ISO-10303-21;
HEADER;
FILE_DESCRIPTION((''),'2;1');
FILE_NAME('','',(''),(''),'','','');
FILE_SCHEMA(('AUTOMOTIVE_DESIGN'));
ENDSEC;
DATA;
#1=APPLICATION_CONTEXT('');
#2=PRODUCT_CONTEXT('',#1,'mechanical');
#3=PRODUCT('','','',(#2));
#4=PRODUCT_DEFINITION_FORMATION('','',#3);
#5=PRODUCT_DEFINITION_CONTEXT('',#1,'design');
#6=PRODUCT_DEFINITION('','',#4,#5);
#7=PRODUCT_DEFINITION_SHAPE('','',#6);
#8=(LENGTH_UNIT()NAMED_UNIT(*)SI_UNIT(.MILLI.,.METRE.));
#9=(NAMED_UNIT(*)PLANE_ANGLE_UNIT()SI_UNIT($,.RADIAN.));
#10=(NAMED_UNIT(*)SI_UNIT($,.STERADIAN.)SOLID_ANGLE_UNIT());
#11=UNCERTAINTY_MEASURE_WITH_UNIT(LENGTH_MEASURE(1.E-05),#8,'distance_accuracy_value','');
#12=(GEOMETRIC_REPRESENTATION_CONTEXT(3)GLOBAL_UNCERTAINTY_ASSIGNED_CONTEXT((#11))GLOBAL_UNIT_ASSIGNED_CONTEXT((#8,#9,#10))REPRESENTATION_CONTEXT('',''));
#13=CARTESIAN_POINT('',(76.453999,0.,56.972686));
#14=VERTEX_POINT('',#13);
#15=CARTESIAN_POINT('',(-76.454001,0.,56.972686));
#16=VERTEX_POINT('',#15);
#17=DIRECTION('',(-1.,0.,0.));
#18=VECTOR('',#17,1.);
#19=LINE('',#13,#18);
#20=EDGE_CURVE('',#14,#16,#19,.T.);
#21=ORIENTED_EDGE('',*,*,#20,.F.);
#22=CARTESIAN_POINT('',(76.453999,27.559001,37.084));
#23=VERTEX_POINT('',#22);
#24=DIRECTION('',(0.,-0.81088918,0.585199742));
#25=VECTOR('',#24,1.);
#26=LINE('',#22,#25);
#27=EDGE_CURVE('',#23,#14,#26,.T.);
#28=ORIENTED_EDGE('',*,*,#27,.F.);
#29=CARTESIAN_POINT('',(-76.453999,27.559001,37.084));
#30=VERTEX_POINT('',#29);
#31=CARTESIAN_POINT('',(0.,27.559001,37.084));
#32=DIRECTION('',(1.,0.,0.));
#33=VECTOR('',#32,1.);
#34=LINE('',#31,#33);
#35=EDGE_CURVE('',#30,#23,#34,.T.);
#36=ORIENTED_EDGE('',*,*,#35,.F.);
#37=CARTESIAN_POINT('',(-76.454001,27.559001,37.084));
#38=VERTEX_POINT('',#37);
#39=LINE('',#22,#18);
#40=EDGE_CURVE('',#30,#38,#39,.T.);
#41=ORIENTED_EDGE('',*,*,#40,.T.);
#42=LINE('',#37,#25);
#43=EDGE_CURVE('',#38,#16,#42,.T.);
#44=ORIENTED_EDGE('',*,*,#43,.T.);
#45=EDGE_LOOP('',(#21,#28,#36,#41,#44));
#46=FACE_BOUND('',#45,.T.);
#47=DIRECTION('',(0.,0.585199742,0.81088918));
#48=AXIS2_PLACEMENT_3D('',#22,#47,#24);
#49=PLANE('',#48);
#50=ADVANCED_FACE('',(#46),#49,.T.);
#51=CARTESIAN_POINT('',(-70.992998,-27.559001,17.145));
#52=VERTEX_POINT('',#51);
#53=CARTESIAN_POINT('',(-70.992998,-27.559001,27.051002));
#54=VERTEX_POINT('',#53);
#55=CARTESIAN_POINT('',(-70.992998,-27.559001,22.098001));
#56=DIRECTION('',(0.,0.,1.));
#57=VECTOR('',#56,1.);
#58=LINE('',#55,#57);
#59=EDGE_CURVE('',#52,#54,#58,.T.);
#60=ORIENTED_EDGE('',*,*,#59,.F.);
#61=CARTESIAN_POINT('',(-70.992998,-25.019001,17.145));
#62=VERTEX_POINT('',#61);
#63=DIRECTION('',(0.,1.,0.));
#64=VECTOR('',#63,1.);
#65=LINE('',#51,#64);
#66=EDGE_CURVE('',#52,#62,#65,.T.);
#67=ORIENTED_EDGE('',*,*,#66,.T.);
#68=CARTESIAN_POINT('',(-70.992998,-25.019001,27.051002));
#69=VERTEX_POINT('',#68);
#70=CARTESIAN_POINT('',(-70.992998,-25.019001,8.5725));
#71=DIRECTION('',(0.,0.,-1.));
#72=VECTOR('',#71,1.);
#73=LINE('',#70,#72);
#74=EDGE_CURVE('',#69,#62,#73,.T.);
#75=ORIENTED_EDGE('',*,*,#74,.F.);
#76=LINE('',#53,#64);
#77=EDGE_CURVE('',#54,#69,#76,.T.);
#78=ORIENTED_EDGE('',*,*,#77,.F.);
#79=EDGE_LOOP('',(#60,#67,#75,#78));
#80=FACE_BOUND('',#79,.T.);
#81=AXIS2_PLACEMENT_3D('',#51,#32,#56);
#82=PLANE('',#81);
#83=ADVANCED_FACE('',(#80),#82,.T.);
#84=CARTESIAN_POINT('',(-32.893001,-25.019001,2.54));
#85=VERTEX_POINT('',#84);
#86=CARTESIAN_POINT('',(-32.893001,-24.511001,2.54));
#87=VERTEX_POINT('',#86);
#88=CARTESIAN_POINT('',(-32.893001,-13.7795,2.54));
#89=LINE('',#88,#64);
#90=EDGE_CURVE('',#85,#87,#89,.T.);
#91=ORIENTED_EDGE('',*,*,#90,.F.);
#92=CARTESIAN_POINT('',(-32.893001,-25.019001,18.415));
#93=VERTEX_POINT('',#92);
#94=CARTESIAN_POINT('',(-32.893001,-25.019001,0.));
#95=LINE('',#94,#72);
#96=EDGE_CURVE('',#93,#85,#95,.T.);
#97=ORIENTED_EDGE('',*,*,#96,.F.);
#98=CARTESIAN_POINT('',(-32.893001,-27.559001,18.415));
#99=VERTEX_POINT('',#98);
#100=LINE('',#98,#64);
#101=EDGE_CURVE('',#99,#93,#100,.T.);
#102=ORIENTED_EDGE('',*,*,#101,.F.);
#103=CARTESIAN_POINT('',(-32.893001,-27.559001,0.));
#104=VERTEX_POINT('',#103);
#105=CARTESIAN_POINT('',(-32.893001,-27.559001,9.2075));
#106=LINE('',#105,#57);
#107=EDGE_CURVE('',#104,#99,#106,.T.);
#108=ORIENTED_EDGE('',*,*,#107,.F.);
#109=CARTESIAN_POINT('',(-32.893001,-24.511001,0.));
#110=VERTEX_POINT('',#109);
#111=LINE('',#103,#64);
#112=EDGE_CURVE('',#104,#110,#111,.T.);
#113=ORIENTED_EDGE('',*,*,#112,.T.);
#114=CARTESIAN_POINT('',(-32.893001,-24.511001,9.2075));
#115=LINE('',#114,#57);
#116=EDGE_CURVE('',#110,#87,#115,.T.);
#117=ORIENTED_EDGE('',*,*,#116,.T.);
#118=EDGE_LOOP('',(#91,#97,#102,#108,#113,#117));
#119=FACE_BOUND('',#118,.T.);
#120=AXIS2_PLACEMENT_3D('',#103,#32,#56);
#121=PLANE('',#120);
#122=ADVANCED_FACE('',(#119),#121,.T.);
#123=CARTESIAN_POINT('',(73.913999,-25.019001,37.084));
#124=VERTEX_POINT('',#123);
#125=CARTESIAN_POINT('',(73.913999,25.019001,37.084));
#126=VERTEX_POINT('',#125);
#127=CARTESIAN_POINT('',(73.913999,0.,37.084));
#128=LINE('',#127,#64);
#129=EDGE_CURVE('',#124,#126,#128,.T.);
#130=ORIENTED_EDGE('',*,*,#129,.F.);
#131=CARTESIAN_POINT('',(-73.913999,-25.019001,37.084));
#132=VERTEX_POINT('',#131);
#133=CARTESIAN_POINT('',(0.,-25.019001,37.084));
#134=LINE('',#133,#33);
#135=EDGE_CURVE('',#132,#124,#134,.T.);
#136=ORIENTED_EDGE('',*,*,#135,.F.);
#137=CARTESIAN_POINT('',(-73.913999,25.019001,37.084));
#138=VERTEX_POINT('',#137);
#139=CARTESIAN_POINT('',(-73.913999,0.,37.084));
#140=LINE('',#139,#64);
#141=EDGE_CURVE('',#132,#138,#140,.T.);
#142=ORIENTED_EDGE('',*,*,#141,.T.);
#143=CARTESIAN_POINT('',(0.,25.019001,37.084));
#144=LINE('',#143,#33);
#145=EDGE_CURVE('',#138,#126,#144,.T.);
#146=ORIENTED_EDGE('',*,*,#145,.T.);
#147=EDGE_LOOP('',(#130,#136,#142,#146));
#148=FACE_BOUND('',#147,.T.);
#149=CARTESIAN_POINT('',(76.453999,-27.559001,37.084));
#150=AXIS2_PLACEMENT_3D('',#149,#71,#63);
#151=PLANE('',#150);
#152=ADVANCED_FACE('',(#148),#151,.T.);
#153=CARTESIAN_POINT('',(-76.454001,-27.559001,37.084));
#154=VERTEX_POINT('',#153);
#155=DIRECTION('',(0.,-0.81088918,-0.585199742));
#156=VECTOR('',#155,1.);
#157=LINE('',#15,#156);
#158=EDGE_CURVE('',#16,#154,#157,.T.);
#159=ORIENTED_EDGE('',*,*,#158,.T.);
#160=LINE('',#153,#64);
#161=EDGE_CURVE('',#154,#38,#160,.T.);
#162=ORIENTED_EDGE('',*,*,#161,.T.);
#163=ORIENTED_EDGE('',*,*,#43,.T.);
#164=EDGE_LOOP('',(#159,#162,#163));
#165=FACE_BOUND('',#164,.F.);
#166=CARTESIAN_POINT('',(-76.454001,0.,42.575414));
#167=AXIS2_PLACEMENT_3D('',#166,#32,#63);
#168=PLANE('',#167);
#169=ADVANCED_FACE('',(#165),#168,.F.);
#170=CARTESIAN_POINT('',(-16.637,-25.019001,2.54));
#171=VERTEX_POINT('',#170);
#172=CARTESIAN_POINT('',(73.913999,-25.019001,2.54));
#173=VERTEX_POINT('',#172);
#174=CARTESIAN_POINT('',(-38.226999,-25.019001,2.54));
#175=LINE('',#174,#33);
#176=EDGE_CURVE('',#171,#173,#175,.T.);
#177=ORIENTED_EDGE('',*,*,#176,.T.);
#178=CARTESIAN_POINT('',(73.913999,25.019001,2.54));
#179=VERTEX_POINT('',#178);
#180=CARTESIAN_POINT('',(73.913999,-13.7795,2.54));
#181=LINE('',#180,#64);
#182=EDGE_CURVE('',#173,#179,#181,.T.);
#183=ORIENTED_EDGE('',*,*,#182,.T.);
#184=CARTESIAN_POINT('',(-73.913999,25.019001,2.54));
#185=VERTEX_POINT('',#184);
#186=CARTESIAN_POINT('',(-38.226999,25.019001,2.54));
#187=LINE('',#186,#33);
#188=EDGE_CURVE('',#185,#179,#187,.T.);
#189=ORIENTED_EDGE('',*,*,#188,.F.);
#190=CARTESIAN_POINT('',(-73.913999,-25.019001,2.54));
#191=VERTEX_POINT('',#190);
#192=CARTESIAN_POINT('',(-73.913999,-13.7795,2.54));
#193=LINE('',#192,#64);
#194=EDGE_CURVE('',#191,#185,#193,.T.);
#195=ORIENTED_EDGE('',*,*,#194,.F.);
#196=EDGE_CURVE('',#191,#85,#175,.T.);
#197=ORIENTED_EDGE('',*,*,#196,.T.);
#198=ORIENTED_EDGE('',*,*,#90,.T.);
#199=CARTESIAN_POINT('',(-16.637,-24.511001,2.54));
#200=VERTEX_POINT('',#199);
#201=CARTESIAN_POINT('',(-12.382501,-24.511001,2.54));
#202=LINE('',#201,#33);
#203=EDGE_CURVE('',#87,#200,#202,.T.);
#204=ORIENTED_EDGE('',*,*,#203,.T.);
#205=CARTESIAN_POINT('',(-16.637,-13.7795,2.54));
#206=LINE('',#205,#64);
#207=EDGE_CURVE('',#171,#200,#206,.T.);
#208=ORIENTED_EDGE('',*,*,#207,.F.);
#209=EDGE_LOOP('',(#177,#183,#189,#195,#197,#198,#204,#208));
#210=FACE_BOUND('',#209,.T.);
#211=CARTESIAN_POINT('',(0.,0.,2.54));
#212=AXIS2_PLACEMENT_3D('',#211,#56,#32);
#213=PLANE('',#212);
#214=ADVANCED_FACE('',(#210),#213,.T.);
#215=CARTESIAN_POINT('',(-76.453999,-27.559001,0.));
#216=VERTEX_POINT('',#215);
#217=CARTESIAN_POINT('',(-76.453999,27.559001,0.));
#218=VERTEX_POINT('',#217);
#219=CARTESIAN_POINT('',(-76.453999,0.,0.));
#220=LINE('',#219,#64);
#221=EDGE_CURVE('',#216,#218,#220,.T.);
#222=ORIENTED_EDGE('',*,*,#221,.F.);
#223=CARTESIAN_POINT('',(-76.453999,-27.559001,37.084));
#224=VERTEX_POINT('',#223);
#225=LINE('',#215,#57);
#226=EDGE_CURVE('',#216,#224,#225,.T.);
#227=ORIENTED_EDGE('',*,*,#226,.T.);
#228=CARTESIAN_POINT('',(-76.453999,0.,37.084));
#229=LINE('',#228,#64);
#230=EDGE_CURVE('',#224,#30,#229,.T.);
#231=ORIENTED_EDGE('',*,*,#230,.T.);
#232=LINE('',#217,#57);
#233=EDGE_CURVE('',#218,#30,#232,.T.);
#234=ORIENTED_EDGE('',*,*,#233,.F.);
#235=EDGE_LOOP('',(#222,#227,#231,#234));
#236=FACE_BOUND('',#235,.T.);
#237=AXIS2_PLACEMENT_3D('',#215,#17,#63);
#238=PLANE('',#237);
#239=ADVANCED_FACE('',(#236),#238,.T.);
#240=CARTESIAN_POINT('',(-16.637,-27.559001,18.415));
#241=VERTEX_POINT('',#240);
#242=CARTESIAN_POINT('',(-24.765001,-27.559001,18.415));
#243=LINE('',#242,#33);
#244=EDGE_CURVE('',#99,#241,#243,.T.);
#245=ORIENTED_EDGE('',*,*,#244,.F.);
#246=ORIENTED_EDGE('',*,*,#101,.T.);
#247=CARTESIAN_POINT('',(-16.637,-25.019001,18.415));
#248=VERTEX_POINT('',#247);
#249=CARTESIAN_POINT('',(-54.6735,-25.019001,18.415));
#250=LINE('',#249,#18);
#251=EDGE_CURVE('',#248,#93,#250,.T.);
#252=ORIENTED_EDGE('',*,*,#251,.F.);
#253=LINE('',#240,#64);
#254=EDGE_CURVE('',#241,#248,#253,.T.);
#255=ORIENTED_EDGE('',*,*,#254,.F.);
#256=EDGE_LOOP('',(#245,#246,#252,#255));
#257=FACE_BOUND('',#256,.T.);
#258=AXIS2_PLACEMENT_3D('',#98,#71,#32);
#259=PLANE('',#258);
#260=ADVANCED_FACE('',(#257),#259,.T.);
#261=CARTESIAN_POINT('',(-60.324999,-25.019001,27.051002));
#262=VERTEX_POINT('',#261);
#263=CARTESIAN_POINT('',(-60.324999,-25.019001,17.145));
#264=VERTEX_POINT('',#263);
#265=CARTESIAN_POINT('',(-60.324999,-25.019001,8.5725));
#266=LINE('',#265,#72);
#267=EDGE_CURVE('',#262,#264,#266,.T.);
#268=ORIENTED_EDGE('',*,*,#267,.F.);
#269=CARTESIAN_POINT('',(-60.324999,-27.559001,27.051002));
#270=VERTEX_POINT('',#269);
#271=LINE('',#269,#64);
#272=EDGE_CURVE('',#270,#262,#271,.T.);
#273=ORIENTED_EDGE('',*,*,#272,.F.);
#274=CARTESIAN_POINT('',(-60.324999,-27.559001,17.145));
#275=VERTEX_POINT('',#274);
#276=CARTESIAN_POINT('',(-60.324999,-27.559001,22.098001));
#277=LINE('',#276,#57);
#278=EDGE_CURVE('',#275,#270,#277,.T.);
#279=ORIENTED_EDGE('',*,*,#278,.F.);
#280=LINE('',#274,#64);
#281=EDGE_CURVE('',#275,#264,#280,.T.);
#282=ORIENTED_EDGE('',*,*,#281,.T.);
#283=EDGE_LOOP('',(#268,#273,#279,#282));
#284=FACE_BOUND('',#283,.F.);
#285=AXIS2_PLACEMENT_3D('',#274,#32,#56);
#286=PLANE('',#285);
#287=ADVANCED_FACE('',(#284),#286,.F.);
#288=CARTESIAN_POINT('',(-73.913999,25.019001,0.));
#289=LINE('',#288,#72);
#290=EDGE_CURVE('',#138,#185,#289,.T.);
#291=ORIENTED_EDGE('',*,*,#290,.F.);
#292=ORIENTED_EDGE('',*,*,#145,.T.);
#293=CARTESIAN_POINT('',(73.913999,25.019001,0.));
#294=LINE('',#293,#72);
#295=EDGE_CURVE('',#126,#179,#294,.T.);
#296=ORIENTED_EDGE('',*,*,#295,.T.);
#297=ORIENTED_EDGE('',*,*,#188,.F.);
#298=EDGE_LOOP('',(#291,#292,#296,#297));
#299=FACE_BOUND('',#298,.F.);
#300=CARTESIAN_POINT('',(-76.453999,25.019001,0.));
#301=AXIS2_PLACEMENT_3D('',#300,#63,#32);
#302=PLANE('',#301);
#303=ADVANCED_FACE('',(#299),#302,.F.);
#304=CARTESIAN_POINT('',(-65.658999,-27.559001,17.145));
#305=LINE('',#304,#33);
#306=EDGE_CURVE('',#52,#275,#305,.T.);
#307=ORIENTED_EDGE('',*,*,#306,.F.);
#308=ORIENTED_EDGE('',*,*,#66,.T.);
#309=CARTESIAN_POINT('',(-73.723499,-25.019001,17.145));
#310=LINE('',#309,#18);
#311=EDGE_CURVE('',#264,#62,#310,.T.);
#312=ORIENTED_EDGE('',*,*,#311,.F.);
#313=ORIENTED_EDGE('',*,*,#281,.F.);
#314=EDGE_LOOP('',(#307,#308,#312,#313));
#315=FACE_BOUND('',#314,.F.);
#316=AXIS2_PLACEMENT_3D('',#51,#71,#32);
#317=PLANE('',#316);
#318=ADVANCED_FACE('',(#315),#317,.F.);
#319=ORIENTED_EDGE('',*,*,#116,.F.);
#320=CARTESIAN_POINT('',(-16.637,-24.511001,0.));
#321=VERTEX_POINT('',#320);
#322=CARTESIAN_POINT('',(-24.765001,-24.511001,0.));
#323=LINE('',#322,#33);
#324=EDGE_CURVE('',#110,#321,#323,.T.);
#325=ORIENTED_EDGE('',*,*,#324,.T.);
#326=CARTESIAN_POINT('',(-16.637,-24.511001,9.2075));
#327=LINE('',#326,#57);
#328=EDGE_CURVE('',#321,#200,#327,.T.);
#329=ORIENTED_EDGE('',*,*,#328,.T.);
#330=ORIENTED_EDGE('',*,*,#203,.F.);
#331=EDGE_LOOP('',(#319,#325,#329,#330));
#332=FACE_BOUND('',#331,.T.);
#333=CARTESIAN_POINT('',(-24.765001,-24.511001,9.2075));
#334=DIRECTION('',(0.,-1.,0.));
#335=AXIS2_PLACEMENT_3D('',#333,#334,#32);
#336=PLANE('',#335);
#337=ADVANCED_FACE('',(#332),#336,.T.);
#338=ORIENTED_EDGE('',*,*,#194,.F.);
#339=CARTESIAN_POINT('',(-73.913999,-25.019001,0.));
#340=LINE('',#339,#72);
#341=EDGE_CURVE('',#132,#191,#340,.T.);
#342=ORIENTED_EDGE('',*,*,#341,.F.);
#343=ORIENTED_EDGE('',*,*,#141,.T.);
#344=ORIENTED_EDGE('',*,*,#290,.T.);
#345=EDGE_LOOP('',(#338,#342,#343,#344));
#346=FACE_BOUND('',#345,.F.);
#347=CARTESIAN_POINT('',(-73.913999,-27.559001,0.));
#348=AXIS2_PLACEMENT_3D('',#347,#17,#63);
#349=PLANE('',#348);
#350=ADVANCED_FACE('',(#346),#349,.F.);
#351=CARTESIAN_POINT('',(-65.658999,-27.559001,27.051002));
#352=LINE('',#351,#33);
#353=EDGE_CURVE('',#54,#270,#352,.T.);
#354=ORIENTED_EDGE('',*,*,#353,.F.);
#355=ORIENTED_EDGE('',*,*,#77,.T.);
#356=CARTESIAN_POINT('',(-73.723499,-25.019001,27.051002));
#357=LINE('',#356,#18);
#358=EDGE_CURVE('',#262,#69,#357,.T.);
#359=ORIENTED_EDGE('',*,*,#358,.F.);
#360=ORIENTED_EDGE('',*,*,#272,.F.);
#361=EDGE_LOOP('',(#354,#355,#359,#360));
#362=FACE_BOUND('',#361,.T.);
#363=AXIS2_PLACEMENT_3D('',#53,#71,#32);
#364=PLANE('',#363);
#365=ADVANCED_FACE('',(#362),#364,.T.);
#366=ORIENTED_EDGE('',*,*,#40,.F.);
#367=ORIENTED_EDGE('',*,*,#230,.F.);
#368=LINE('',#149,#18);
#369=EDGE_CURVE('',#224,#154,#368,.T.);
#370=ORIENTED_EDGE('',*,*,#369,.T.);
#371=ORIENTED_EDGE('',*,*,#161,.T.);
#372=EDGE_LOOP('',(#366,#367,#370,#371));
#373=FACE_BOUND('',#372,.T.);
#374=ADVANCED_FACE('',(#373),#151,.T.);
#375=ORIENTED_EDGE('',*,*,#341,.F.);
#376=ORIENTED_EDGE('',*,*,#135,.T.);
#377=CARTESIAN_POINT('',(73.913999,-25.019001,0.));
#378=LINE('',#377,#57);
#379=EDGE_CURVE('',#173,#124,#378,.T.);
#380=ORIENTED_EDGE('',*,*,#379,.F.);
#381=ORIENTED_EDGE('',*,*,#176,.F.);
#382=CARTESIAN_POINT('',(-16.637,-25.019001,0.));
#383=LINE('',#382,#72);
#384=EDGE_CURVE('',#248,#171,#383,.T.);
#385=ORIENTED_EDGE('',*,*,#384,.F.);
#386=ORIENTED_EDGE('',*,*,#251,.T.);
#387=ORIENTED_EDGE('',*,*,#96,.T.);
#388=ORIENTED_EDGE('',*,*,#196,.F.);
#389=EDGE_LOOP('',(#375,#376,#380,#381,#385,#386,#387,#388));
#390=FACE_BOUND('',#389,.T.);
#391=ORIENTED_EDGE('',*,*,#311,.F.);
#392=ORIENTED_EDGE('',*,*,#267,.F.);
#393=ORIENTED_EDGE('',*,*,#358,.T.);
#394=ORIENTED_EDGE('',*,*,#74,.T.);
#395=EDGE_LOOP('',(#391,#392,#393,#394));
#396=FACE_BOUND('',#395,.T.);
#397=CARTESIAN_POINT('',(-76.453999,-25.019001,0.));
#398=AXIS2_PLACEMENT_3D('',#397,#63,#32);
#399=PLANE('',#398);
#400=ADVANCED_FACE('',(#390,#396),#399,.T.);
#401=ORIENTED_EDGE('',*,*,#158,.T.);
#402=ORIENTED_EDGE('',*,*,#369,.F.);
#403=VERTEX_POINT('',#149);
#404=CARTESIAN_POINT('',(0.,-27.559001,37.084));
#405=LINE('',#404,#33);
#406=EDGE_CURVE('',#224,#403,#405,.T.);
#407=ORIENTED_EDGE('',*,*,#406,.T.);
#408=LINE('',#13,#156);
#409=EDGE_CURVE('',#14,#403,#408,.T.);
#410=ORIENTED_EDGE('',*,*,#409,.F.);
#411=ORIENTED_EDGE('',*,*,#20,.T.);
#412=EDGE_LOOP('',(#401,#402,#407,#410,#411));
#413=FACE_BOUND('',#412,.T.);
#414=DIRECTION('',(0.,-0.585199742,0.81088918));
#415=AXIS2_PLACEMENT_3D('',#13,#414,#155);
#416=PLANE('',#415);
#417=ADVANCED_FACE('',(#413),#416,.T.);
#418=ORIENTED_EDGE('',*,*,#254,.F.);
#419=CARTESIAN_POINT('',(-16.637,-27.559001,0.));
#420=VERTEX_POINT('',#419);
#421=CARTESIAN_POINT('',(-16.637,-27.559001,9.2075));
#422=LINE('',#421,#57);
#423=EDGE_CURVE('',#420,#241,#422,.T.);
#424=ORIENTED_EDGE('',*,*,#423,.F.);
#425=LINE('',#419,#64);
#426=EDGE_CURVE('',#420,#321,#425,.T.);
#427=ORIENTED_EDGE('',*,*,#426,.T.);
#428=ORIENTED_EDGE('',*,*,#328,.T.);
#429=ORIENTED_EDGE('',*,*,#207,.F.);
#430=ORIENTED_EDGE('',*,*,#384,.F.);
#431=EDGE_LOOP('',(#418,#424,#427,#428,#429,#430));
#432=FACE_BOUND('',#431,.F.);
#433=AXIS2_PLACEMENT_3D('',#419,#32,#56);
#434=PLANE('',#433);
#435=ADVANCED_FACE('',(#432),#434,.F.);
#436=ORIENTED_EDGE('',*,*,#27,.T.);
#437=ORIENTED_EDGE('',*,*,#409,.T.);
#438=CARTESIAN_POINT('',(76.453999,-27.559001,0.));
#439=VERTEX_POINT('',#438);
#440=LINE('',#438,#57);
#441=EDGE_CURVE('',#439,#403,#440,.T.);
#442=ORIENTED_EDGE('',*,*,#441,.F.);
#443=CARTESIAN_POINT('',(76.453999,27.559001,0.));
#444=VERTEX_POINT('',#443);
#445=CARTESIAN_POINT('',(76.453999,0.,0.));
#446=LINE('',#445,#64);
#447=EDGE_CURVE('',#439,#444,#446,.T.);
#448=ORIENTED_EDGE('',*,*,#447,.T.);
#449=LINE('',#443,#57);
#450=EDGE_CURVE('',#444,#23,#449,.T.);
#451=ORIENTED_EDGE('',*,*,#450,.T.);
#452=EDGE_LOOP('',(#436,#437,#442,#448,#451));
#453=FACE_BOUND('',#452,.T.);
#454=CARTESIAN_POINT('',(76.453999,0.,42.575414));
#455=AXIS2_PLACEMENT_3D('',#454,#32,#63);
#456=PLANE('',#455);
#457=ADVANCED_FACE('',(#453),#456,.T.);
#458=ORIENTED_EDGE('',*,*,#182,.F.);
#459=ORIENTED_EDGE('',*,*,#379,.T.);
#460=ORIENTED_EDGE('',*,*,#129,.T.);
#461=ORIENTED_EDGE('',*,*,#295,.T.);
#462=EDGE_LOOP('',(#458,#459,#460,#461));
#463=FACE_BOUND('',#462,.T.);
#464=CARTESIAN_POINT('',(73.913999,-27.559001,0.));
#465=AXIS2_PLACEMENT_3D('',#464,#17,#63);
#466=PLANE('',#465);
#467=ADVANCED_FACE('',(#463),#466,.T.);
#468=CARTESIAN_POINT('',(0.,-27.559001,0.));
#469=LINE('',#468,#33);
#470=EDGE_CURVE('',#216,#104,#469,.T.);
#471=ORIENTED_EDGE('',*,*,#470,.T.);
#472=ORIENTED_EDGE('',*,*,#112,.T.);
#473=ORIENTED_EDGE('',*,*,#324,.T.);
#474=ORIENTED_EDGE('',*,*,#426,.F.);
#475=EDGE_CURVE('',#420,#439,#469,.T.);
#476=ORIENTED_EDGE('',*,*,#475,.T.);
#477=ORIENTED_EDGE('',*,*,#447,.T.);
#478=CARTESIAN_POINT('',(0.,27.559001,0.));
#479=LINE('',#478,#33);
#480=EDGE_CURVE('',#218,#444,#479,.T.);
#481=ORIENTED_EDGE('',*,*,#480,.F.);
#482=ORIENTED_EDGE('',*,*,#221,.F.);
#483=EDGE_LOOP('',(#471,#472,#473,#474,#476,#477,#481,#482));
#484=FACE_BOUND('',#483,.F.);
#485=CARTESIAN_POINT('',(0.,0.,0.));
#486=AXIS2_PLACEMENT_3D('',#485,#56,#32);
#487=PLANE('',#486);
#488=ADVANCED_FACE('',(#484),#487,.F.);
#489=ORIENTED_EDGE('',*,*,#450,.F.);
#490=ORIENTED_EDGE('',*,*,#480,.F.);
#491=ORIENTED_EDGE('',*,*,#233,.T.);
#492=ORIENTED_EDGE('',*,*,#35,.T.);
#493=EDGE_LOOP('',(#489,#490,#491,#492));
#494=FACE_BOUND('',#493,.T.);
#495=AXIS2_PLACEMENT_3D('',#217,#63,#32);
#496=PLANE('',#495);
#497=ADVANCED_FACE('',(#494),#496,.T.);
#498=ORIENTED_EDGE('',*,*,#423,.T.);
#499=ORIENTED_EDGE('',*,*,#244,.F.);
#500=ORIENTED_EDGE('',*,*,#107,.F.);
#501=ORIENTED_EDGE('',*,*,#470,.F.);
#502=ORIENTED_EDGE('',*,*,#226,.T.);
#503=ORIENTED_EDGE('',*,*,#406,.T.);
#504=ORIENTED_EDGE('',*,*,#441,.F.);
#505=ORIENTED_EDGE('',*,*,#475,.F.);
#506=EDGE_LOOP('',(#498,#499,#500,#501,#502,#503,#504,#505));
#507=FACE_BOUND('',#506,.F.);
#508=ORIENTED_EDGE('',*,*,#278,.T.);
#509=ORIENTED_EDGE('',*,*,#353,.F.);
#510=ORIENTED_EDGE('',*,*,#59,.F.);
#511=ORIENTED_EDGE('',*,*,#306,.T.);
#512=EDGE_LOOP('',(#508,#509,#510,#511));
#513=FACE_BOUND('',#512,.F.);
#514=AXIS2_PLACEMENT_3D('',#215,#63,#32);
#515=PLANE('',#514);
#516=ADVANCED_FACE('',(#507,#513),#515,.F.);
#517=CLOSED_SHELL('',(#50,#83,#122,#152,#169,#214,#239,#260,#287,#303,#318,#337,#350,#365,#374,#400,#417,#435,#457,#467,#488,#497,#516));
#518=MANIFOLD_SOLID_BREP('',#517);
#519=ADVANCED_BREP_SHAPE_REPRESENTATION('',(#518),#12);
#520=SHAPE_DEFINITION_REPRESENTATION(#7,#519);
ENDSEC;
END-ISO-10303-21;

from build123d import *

# Parameters (mm, degrees)
F0_W     = 152.907998
F0_H     = 55.118002
F1_DEPTH = 37.084
F2_T     = -2.54
F3_W     = 16.256001
F3_H     = 18.415
F4_DEPTH = 3.048
F6_DEPTH = 152.908
F7_W     = 10.667999
F7_H     = 9.906002
F8_DEPTH = 2.794


with BuildPart() as f1:
    # F0 (on Top) → F1 (new body)
    with BuildSketch(Plane.XY):
        Rectangle(F0_W, F0_H)
    extrude(amount=F1_DEPTH)

    # F2
    f2_openings = [f1.faces().sort_by_distance(p)[0] for p in [
        (0, 0, 37.084),
    ]]
    offset(amount=F2_T, openings=f2_openings)

    # F3 (on face) → F4 (cut)
    with BuildSketch(Plane.XZ.offset(27.559001)):
        with Locations((-24.765001, 9.2075)):
            Rectangle(F3_W, F3_H)
    extrude(amount=-F4_DEPTH, mode=Mode.SUBTRACT)

    # F5 (on face) → F6 (join)
    with BuildSketch(Plane.YZ.offset(76.453999)):
        Polygon((27.559001, 37.084), (0, 56.972686), (-27.559001, 37.084), align=None)
    extrude(amount=-F6_DEPTH)

    # F7 (on face) → F8 (cut)
    with BuildSketch(Plane.XZ.offset(27.559001)):
        with Locations((-65.658999, 22.098001)):
            Rectangle(F7_W, F7_H)
    extrude(amount=-F8_DEPTH, mode=Mode.SUBTRACT)


solid = f1.part
